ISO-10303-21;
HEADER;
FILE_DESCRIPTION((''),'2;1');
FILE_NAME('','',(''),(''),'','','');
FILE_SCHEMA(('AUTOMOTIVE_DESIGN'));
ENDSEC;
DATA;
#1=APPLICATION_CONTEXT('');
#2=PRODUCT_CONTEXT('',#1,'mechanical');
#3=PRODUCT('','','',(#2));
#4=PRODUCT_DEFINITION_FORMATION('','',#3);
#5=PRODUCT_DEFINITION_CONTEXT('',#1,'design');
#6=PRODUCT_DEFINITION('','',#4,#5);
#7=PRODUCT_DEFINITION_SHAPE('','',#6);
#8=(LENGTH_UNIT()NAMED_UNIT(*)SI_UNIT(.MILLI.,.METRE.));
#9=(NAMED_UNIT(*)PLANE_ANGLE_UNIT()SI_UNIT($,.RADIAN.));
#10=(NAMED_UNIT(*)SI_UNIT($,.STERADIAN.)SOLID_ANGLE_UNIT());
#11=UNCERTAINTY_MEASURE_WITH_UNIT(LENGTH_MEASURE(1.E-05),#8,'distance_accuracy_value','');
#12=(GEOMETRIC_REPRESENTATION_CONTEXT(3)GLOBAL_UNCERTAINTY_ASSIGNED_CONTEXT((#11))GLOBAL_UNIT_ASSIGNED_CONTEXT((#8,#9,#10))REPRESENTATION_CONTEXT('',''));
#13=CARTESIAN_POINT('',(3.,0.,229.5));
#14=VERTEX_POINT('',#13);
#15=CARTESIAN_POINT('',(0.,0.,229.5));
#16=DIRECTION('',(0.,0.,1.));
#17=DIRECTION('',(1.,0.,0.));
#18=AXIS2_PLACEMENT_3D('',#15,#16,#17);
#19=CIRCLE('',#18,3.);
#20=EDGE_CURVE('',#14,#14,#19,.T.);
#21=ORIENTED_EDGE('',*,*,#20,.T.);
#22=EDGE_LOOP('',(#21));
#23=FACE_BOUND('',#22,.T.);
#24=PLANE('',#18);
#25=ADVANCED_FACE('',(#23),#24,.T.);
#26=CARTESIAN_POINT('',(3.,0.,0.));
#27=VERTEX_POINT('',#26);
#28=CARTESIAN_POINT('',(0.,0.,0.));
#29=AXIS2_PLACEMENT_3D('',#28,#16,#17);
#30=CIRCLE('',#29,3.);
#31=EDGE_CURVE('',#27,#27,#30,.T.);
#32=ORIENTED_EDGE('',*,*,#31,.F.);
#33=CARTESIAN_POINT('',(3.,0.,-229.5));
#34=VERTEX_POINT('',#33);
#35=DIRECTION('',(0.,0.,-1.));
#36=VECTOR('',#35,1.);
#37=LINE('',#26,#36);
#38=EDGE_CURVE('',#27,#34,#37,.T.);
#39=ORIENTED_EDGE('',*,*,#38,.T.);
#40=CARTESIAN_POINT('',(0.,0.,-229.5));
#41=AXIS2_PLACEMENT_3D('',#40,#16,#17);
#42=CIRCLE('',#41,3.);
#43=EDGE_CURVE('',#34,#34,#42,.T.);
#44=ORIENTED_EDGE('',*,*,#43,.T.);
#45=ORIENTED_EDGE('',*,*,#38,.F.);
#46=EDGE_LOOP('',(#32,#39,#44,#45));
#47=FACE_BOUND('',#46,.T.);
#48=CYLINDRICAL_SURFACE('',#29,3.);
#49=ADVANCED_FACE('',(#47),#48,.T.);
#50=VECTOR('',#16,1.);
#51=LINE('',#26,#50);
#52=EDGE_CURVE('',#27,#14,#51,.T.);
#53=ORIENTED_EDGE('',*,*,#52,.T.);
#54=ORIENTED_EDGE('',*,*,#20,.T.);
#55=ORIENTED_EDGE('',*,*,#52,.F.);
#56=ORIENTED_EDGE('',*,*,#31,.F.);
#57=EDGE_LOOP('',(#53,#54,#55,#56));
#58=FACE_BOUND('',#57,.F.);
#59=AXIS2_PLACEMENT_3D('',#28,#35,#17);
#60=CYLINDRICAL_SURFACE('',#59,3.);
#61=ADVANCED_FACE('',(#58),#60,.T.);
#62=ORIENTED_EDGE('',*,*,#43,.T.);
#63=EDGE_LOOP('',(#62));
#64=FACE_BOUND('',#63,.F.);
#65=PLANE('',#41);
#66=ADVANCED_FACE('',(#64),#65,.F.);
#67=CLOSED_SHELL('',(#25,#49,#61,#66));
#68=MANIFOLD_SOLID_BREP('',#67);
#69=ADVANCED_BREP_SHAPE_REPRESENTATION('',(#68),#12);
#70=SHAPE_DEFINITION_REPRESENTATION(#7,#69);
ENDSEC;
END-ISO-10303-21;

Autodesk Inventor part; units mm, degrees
ref_plane "YZ Plane" through (0, 0, 0) normal (1, 0, 0) x (0, 1, 0)
ref_plane "XZ Plane" through (0, 0, 0) normal (0, 1, 0) x (-1, 0, 0)
ref_plane "XY Plane" through (0, 0, 0) normal (0, 0, 1) x (1, 0, 0)
sketch "スケッチ1" plane through (0, 0, 0) normal (0, 0, 1) x (1, 0, 0)
  circle A0 centre (0, 0) radius 3
  dimension "d0" = 6
extrude "押し出し1" add sketch "スケッチ1" along normal mid plane 459
properties part number "axis2" material "木材 (オーク)"
